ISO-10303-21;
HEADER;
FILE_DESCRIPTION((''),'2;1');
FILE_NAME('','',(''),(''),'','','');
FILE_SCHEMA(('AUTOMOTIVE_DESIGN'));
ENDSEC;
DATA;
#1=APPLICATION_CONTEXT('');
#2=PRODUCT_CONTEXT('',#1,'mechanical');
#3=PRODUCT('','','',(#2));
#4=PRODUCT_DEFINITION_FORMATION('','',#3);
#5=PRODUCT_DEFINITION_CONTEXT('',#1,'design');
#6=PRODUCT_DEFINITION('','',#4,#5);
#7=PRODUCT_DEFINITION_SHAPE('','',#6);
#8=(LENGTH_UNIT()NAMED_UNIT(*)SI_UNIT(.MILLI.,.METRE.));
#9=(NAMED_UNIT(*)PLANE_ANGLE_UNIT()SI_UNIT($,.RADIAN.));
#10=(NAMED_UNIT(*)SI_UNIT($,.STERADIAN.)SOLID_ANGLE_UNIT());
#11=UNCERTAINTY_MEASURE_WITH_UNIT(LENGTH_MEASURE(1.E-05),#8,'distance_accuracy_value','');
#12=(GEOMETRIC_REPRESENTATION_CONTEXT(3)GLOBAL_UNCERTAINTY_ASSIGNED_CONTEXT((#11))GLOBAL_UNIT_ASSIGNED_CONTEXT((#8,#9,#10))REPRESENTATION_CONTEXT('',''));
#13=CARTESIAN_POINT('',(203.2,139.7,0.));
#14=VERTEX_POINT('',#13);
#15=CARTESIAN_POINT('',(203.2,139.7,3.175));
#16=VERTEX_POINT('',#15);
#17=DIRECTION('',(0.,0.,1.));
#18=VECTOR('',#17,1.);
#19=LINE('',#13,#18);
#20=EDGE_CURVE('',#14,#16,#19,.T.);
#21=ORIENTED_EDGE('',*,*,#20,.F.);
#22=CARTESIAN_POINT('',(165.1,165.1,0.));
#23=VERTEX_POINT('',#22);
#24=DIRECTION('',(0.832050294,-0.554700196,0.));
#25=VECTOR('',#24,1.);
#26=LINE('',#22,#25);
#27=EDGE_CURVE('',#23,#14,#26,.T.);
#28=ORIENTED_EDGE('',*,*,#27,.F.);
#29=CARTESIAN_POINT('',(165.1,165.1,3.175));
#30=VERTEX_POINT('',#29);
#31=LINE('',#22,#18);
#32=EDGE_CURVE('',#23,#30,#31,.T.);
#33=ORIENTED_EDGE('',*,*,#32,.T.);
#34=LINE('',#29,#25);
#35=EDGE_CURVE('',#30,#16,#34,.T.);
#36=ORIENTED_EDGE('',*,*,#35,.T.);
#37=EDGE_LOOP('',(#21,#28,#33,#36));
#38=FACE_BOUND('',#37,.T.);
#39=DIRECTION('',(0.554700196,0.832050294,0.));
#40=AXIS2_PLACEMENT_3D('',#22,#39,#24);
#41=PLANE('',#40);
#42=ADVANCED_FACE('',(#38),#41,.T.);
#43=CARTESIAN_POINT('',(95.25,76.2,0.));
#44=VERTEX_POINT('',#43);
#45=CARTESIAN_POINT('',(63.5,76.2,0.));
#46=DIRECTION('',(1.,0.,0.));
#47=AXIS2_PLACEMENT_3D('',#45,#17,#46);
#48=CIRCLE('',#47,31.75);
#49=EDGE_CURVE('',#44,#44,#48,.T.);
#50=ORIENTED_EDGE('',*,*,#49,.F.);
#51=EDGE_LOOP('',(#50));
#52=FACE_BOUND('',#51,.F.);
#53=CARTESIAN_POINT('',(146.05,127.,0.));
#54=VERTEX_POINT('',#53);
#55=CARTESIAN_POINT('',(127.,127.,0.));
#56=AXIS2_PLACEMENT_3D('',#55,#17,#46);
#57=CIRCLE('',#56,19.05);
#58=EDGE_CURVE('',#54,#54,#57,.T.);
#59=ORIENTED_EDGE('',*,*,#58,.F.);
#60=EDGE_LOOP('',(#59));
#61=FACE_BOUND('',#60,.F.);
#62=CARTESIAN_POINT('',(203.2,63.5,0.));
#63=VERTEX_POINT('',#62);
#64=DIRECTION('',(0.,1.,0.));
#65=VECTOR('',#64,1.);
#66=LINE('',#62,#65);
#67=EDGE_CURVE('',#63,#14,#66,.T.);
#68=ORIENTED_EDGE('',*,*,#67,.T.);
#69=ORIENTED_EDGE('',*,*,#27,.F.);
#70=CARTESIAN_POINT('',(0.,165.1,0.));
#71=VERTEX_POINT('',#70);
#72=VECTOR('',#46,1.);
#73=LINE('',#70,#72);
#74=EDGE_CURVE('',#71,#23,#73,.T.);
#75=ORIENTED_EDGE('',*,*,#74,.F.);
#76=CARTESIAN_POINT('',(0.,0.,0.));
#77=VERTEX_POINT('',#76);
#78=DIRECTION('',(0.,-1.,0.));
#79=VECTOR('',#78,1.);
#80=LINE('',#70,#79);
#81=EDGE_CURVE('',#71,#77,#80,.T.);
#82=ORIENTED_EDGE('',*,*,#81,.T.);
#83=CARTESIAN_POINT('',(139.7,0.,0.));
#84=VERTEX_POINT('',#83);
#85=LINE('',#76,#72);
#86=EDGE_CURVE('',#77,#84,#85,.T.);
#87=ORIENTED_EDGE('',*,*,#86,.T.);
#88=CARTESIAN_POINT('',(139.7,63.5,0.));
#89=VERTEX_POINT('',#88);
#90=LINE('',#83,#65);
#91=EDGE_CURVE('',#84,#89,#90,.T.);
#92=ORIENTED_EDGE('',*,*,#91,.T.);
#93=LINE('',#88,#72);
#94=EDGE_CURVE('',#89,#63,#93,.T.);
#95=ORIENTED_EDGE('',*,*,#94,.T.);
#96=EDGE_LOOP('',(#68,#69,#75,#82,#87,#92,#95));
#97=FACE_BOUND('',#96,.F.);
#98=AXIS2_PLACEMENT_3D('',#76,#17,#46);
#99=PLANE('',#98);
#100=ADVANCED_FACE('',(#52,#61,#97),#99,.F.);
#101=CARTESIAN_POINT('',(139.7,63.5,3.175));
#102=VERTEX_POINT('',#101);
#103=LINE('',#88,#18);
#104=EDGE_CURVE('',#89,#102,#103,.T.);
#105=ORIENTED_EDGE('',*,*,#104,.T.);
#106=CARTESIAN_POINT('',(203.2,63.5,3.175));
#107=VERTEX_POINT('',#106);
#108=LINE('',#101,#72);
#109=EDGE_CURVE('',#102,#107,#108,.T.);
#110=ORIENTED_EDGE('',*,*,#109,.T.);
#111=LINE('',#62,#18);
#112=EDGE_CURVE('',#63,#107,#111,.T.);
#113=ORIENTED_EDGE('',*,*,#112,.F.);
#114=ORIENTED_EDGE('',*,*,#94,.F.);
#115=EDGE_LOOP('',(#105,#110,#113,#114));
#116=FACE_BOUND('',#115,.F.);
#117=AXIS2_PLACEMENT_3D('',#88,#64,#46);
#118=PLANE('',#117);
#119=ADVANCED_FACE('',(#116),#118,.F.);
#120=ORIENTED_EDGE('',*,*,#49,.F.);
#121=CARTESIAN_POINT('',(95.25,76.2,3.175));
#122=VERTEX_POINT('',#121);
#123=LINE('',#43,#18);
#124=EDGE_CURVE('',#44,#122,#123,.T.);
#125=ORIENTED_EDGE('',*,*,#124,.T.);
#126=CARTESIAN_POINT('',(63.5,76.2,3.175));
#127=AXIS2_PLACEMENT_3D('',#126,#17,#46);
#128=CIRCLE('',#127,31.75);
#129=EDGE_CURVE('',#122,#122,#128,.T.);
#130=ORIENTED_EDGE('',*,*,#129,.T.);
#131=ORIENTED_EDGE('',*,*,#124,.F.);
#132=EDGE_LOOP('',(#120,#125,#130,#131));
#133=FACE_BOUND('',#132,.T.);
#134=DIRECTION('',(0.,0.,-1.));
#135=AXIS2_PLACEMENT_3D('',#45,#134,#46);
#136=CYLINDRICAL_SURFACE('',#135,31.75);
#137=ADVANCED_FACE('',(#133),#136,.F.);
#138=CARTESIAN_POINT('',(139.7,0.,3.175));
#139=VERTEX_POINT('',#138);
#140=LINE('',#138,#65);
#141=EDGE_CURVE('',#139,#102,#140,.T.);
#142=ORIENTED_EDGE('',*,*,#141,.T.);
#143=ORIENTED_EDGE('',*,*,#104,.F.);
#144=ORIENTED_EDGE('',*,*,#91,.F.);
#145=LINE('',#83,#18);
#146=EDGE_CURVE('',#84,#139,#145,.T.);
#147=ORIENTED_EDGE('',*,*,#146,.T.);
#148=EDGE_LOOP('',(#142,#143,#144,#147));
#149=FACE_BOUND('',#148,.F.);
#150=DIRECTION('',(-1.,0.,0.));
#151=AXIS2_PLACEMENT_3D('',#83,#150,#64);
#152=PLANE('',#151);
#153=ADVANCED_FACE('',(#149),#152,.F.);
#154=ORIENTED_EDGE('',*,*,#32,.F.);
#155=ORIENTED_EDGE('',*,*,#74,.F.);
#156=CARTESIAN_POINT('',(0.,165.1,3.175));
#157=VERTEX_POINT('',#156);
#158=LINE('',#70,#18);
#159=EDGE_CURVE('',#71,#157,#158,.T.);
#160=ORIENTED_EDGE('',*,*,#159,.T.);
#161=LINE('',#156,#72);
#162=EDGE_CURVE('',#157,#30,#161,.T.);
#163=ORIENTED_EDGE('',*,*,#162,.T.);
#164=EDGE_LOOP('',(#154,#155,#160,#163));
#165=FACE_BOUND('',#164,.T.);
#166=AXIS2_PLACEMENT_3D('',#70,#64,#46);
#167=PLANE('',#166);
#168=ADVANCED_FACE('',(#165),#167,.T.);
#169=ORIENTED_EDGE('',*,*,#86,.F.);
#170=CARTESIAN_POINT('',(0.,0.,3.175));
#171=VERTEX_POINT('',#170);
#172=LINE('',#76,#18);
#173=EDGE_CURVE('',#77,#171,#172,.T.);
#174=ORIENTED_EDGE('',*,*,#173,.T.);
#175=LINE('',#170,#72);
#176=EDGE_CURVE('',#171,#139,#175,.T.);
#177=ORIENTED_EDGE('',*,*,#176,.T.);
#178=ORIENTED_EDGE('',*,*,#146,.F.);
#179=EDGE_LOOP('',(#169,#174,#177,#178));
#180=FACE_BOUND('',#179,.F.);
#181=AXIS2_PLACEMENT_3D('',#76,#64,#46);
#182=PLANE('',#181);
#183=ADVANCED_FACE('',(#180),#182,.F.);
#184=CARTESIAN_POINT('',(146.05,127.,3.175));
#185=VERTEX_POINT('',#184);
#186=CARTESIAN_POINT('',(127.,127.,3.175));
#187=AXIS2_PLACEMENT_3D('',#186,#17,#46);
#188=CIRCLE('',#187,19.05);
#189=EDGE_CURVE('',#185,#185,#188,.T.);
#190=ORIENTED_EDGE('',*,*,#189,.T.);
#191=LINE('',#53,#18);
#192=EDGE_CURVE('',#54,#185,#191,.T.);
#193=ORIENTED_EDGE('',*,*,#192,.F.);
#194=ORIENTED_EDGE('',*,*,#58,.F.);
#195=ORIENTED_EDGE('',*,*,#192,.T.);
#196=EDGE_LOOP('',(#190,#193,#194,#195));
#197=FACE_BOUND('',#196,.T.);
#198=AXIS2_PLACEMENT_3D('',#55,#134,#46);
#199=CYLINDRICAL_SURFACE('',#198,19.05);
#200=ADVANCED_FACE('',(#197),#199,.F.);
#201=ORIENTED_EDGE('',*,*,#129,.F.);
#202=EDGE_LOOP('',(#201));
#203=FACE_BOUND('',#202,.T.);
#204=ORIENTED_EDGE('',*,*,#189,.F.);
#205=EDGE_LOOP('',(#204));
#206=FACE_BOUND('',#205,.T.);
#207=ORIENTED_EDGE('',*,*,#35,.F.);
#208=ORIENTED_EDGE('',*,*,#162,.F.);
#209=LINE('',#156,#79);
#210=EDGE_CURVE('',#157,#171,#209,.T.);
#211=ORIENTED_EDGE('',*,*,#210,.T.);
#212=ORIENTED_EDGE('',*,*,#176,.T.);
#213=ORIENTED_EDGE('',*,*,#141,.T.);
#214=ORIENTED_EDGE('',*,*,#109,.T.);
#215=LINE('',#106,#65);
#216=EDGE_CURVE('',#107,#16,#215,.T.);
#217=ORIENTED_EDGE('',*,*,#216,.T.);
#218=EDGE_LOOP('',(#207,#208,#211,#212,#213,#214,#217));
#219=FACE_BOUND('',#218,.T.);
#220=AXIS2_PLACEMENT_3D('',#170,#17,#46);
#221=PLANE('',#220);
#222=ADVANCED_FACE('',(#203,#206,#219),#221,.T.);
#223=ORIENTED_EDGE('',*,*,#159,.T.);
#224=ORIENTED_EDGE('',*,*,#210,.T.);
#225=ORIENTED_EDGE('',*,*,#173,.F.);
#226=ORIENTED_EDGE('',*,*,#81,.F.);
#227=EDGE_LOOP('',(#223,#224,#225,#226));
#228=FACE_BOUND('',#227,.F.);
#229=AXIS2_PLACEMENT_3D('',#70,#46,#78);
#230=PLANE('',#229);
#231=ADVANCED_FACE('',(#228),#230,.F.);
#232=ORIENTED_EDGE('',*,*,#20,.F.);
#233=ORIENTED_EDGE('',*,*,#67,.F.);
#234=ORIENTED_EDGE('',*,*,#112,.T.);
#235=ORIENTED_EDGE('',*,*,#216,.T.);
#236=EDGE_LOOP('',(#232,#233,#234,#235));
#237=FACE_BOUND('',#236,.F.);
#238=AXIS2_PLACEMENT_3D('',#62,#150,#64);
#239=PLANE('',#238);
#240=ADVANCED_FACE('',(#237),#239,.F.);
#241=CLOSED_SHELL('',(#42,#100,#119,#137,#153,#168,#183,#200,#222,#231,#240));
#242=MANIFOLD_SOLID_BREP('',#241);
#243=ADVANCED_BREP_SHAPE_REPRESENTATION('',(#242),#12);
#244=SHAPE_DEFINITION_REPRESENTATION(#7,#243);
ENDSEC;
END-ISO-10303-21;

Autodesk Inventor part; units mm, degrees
ref_plane "YZ Plane" through (0, 0, 0) normal (1, 0, 0) x (0, 1, 0)
ref_plane "XZ Plane" through (0, 0, 0) normal (0, 1, 0) x (-1, 0, 0)
ref_plane "XY Plane" through (0, 0, 0) normal (0, 0, 1) x (1, 0, 0)
sketch "Sketch1" plane through (0, 0, 0) normal (0, 0, 1) x (1, 0, 0)
  line L0 (0, 165.1) -> (165.1, 165.1)
  line L1 (165.1, 165.1) -> (203.2, 139.7)
  circle A0 centre (63.5, 76.2) radius 31.75
  line L2 (139.7, 0) -> (139.7, 63.5)
  line L3 (139.7, 63.5) -> (203.2, 63.5)
  line L4 (0, 0) -> (139.7, 0)
  line L5 (203.2, 63.5) -> (203.2, 139.7)
  circle A1 centre (127, 127) radius 19.05
  line L6 (0, 165.1) -> (0, 0)
  dimension "d2" = 165.1
  dimension "d3" = 165.1
  dimension "d6" = 63.5
  dimension "d8" = 63.5
  dimension "d11" = 38.1
extrude "Extrusion1" add sketch "Sketch1" along normal blind 3.175
properties part number "Assignment 1.2 - Spacer Plate"
